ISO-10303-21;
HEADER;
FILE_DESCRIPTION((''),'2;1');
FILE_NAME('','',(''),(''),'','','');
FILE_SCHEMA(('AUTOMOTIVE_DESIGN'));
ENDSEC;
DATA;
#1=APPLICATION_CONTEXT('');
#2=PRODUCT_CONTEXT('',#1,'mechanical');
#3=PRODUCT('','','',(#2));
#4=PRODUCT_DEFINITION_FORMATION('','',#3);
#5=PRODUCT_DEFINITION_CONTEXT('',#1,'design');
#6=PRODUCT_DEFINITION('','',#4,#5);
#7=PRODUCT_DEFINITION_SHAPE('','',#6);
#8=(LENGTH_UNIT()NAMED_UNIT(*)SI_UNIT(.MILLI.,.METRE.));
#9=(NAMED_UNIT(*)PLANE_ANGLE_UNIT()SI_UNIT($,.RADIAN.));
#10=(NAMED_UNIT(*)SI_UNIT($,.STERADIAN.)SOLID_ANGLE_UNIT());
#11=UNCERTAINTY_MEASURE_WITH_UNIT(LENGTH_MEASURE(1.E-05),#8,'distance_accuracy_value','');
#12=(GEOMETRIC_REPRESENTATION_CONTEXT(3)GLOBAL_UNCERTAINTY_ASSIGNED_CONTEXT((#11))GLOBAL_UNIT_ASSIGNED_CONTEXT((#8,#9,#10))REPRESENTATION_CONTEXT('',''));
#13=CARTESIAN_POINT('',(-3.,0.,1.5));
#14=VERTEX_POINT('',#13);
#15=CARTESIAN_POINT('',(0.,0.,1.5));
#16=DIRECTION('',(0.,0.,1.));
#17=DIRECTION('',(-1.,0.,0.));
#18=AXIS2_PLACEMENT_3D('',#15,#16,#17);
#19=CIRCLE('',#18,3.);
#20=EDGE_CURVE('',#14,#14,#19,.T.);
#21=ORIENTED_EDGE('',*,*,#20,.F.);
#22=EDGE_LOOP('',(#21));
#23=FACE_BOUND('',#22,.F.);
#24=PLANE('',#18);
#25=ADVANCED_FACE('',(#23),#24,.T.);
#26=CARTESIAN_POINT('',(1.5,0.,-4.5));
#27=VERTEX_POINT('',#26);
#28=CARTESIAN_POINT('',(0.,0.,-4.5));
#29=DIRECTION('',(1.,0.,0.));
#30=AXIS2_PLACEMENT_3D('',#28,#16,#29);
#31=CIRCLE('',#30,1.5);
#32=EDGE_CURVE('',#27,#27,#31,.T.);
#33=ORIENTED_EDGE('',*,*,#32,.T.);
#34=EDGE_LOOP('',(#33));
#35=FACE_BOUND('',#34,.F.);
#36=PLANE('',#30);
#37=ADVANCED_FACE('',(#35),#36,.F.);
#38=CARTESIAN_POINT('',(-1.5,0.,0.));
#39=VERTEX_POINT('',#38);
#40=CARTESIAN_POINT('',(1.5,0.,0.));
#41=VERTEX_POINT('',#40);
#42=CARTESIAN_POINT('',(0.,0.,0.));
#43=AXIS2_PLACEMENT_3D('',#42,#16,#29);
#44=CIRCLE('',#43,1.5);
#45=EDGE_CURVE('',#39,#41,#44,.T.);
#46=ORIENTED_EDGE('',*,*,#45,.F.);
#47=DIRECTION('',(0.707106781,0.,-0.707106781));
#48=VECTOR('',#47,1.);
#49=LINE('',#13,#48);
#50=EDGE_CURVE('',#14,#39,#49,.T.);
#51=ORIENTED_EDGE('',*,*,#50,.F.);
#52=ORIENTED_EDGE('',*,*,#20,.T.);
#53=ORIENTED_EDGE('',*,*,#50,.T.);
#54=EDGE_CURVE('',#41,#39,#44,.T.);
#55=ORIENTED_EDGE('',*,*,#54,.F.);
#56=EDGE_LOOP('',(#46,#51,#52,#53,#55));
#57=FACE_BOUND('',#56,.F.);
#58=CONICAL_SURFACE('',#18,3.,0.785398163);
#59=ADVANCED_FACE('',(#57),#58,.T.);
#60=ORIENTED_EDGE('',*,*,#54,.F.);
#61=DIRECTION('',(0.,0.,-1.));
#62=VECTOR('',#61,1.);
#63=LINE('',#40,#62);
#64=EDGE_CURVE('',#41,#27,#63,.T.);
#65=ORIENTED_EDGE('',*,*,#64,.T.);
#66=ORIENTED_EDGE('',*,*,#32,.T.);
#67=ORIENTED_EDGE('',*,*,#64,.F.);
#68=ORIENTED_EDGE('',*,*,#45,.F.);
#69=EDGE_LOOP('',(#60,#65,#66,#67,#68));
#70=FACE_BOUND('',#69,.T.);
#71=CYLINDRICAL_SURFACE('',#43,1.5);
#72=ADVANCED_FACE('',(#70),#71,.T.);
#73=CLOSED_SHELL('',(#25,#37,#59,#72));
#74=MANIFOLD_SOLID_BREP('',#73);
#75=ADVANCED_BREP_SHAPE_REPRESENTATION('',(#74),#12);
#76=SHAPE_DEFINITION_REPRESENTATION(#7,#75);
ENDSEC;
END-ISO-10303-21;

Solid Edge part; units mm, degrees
sketch "Sketch1" plane through (0, 0, 0) normal (0, 0, 1) x (1, 0, 0)
  circle A0 centre (0, 0) radius 1.5
extrude "Protrusion1" add sketch "Sketch1" against normal blind 4.5
sketch "Sketch2" plane through (0, 0, 0) normal (0, -1, 0) x (1, 0, 0)
  line L0 (-1.5, 0) -> (0, 0)
  line L1 (-3, 1.5) -> (-1.5, 0)
  line L2 (0, 1.5) -> (-3, 1.5)
revolve "RevolvedProtrusion1" add sketch "Sketch2" angle 360 about axis through (0, 0, 0) along (0, 0, 1)
cosmetic_thread "Thread1" size "M3"
